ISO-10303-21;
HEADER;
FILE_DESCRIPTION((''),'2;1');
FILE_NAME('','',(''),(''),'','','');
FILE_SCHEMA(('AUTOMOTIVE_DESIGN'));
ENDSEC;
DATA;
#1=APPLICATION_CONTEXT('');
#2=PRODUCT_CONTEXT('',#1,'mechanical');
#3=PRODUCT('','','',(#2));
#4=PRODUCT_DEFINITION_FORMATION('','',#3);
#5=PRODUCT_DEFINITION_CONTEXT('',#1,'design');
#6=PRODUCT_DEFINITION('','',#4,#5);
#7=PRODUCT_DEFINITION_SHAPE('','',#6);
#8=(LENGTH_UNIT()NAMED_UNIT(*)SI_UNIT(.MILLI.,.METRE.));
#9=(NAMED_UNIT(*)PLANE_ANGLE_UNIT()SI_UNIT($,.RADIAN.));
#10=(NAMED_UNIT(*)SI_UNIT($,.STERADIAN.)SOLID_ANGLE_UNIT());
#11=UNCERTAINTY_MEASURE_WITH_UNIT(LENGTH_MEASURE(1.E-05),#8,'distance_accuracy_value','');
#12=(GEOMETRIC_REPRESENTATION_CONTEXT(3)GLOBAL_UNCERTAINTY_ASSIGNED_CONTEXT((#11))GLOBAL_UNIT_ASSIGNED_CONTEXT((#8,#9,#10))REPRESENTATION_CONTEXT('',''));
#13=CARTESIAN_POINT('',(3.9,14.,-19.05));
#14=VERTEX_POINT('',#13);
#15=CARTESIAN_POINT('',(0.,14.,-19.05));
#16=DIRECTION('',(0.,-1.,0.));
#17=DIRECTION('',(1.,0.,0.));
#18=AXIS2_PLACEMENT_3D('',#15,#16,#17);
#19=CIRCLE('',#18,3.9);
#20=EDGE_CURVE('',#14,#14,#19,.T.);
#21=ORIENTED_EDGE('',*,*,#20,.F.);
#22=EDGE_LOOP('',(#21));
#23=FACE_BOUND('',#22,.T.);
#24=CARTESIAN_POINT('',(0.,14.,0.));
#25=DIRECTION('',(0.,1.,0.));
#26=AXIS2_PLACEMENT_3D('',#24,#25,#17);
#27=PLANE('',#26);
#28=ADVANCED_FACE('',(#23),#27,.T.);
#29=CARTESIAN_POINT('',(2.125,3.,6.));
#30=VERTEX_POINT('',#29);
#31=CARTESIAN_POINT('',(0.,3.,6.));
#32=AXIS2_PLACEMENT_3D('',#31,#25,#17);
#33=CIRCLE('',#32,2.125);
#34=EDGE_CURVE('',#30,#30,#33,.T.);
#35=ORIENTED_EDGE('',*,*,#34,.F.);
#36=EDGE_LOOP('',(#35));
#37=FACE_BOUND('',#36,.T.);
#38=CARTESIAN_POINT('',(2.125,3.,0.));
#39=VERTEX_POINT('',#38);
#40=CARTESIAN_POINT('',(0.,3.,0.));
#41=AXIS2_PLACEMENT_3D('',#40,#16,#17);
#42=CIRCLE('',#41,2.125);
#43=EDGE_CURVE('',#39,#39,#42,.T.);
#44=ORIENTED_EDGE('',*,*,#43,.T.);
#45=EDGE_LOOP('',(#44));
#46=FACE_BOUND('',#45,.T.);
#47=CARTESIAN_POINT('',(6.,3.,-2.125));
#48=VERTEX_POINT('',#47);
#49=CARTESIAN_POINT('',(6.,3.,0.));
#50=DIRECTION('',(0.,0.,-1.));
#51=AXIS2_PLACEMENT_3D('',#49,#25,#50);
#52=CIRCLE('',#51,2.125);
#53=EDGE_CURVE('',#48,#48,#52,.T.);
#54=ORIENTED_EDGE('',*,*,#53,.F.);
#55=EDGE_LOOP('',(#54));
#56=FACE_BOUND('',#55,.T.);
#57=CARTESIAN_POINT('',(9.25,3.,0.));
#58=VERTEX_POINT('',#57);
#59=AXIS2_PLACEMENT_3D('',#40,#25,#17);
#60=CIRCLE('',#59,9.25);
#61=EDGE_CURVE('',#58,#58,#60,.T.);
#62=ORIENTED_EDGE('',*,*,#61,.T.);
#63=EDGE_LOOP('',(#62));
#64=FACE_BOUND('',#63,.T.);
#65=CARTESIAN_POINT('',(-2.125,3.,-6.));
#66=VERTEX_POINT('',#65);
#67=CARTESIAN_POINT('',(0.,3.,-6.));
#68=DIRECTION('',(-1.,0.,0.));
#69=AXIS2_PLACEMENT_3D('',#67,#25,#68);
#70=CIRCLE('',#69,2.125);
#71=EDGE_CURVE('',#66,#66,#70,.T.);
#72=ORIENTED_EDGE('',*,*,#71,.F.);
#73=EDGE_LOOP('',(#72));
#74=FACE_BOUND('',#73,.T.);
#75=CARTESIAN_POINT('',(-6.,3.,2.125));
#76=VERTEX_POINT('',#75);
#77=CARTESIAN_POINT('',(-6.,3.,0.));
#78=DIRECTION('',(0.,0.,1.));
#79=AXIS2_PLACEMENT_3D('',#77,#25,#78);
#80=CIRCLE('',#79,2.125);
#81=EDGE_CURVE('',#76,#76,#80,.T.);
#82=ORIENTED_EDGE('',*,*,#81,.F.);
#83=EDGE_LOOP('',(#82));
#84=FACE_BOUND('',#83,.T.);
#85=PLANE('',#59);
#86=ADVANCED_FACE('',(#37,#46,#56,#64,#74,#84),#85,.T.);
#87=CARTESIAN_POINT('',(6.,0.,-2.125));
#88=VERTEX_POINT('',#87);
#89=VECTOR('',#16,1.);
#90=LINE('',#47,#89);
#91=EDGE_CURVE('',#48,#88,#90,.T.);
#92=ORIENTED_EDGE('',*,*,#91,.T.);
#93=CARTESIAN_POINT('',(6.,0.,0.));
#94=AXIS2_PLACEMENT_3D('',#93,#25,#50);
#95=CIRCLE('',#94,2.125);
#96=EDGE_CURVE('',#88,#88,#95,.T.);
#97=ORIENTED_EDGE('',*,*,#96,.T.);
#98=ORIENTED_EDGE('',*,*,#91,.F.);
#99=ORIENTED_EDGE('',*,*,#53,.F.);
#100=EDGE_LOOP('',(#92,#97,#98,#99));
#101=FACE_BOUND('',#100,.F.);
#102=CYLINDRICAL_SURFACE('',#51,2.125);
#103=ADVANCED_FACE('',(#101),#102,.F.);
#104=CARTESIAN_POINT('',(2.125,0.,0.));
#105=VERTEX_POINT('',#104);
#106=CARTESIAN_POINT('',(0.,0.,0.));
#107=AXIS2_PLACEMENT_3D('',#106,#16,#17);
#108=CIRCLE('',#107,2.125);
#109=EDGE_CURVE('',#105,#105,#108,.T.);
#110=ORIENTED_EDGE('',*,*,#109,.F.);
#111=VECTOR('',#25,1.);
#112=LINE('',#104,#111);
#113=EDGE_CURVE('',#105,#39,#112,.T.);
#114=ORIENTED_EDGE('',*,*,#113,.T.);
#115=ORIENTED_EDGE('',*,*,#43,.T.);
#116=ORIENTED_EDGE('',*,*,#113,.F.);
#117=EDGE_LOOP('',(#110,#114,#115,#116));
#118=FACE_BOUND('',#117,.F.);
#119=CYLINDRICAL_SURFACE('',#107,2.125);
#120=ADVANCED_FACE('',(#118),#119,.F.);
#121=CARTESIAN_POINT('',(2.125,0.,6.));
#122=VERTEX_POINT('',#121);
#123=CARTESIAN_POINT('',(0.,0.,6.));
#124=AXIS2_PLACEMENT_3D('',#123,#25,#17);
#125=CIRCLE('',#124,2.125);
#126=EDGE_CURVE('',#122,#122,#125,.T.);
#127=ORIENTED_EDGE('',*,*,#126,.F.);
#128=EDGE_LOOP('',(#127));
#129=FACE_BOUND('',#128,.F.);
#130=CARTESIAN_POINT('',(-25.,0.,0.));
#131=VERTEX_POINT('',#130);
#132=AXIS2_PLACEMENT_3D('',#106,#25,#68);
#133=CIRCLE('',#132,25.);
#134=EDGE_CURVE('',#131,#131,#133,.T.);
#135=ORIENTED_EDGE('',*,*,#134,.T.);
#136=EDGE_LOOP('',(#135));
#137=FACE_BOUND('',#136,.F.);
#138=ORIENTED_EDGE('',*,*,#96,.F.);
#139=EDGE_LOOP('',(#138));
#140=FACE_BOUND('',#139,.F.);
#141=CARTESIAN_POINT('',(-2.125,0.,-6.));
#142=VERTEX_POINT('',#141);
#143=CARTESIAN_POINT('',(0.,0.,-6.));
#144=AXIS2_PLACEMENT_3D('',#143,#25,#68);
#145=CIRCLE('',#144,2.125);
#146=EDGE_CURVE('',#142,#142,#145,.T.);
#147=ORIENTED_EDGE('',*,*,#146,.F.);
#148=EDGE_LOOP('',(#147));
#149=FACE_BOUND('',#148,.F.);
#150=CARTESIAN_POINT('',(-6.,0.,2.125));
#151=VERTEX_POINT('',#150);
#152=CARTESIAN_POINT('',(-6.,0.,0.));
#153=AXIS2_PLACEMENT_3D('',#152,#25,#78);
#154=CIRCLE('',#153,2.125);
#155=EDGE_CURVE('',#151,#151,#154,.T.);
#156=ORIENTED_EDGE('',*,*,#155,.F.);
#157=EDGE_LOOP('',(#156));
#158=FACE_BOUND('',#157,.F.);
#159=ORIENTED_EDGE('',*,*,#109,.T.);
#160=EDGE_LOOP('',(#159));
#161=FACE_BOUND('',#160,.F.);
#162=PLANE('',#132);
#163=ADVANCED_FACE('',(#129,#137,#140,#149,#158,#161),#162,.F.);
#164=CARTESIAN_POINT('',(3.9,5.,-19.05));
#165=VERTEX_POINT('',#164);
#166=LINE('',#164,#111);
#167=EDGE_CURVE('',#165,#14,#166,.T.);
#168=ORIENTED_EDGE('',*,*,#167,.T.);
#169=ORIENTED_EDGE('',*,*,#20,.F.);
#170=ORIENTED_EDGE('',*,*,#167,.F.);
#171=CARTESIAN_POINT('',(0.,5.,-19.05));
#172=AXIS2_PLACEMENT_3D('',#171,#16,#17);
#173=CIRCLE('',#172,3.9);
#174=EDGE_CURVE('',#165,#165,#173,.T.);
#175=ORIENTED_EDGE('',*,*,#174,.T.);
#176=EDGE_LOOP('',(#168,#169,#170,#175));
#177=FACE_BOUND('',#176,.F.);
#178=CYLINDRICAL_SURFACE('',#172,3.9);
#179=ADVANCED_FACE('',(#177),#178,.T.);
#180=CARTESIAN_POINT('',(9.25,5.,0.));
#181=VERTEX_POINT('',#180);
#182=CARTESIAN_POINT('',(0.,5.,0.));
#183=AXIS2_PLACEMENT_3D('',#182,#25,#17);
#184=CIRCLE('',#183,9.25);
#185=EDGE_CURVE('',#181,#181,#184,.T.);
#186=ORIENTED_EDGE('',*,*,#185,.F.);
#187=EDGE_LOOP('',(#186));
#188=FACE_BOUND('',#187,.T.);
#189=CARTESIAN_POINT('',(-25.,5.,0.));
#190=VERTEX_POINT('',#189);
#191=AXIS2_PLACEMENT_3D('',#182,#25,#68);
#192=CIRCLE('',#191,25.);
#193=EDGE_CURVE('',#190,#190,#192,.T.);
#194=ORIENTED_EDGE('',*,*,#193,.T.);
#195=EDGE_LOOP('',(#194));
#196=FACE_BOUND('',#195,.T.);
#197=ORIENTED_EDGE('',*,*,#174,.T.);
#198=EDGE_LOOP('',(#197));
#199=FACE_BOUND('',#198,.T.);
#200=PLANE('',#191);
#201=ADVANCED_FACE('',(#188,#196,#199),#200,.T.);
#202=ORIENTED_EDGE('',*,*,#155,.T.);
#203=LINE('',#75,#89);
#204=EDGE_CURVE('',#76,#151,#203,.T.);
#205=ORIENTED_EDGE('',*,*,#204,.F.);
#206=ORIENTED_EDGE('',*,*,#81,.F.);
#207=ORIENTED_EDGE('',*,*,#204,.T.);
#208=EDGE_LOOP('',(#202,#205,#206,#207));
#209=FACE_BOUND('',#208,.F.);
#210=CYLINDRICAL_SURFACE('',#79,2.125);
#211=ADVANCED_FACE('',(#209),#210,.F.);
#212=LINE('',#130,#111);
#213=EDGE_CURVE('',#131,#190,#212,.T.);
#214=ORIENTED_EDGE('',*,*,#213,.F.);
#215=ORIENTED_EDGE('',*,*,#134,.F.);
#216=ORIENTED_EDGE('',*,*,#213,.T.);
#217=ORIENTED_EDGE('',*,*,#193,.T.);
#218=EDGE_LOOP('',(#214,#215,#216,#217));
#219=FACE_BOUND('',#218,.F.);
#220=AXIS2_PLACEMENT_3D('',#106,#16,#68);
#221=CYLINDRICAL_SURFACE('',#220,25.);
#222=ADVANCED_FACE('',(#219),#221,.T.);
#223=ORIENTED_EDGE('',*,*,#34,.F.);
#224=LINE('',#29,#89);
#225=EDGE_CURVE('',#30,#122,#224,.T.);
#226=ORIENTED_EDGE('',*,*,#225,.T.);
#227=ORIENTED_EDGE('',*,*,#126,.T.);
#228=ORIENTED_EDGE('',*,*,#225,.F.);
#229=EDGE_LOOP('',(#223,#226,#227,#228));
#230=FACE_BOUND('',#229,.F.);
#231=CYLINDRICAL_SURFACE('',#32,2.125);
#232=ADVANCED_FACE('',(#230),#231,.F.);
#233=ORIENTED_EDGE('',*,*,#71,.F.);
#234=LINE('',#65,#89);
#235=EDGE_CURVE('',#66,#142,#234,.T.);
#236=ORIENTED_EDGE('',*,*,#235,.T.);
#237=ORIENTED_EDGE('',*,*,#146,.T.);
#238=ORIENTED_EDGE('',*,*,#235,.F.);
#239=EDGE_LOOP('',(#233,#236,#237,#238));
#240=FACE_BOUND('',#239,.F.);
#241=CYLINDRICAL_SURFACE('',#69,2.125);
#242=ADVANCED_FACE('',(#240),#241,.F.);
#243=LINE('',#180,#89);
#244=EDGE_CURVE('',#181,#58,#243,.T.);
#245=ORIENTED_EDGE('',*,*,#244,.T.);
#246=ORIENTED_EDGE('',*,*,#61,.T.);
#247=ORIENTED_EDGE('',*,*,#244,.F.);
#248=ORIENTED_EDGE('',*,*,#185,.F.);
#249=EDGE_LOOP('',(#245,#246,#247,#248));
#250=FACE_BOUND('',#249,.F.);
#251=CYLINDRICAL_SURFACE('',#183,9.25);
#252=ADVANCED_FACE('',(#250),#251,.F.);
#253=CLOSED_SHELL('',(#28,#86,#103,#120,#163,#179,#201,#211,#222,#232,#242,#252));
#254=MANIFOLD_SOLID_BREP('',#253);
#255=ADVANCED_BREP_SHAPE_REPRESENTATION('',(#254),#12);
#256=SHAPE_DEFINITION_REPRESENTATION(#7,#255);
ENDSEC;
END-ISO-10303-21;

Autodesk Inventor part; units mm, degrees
ref_plane "YZ Plane" through (0, 0, 0) normal (1, 0, 0) x (0, 1, 0)
ref_plane "XZ Plane" through (0, 0, 0) normal (0, 1, 0) x (-1, 0, 0)
ref_plane "XY Plane" through (0, 0, 0) normal (0, 0, 1) x (1, 0, 0)
sketch "Sketch1" plane through (0, 0, 0) normal (0, 1, 0) x (-1, 0, 0)
  line L0 (0, 0) -> (0, -19.05)
  circle A0 centre (0, -19.05) radius 4
  circle A1 centre (0, 0) radius 25
  dimension "d0" = 19.05
  dimension "d1" = 8
  dimension "d2" = 50
extrude "Extrusion1" add sketch "Sketch1" along normal blind 5 contours A0 | A1
sketch "Sketch2" plane through (0, 5, 0) normal (0, 1, 0) x (1, 0, 0)
  line L0 (0, 0) -> (0, 19.05)
  circle A0 centre (0, 19.05) radius 3.9
  dimension "d5" = 19.05
  dimension "d6" = 7.8
extrude "Extrusion2" add sketch "Sketch2" along normal blind 9
sketch "Sketch4" plane through (0, 5, 0) normal (0, 1, 0) x (1, 0, 0)
  circle A0 centre (0, 0) radius 9.25
  dimension "d9" = 18.5
extrude "Extrusion3" cut sketch "Sketch4" against normal blind 2
sketch "Sketch5" plane through (0, 3, 0) normal (0, 1, 0) x (1, 0, 0)
  line L0 (0, 0) -> (0, -6)
  circle A0 centre (0, -6) radius 2.125
  dimension "d12" = 6
  dimension "d13" = 4.25
extrude "Extrusion4" cut sketch "Sketch5" against normal through all
pattern_circular "Circular Pattern1" count 4 over 360 about axis through (0, 0, 0) along (0, 1, 0) of "Extrusion4"
sketch "Sketch6" plane through (0, 0, 0) normal (0, -1, 0) x (1, 0, 0)
  circle A0 centre (0, 0) radius 9
  circle A1 centre (0, 0) radius 2.125
  dimension "d19" = 18
  dimension "d20" = 4.25
extrude "Extrusion5" cut sketch "Sketch6" against normal through all contours A1
sketch "Sketch7" plane through (0, 5, 0) normal (0, 1, 0) x (1, 0, 0)
  point P0 (0, 0)
properties part number "LegWheel"
